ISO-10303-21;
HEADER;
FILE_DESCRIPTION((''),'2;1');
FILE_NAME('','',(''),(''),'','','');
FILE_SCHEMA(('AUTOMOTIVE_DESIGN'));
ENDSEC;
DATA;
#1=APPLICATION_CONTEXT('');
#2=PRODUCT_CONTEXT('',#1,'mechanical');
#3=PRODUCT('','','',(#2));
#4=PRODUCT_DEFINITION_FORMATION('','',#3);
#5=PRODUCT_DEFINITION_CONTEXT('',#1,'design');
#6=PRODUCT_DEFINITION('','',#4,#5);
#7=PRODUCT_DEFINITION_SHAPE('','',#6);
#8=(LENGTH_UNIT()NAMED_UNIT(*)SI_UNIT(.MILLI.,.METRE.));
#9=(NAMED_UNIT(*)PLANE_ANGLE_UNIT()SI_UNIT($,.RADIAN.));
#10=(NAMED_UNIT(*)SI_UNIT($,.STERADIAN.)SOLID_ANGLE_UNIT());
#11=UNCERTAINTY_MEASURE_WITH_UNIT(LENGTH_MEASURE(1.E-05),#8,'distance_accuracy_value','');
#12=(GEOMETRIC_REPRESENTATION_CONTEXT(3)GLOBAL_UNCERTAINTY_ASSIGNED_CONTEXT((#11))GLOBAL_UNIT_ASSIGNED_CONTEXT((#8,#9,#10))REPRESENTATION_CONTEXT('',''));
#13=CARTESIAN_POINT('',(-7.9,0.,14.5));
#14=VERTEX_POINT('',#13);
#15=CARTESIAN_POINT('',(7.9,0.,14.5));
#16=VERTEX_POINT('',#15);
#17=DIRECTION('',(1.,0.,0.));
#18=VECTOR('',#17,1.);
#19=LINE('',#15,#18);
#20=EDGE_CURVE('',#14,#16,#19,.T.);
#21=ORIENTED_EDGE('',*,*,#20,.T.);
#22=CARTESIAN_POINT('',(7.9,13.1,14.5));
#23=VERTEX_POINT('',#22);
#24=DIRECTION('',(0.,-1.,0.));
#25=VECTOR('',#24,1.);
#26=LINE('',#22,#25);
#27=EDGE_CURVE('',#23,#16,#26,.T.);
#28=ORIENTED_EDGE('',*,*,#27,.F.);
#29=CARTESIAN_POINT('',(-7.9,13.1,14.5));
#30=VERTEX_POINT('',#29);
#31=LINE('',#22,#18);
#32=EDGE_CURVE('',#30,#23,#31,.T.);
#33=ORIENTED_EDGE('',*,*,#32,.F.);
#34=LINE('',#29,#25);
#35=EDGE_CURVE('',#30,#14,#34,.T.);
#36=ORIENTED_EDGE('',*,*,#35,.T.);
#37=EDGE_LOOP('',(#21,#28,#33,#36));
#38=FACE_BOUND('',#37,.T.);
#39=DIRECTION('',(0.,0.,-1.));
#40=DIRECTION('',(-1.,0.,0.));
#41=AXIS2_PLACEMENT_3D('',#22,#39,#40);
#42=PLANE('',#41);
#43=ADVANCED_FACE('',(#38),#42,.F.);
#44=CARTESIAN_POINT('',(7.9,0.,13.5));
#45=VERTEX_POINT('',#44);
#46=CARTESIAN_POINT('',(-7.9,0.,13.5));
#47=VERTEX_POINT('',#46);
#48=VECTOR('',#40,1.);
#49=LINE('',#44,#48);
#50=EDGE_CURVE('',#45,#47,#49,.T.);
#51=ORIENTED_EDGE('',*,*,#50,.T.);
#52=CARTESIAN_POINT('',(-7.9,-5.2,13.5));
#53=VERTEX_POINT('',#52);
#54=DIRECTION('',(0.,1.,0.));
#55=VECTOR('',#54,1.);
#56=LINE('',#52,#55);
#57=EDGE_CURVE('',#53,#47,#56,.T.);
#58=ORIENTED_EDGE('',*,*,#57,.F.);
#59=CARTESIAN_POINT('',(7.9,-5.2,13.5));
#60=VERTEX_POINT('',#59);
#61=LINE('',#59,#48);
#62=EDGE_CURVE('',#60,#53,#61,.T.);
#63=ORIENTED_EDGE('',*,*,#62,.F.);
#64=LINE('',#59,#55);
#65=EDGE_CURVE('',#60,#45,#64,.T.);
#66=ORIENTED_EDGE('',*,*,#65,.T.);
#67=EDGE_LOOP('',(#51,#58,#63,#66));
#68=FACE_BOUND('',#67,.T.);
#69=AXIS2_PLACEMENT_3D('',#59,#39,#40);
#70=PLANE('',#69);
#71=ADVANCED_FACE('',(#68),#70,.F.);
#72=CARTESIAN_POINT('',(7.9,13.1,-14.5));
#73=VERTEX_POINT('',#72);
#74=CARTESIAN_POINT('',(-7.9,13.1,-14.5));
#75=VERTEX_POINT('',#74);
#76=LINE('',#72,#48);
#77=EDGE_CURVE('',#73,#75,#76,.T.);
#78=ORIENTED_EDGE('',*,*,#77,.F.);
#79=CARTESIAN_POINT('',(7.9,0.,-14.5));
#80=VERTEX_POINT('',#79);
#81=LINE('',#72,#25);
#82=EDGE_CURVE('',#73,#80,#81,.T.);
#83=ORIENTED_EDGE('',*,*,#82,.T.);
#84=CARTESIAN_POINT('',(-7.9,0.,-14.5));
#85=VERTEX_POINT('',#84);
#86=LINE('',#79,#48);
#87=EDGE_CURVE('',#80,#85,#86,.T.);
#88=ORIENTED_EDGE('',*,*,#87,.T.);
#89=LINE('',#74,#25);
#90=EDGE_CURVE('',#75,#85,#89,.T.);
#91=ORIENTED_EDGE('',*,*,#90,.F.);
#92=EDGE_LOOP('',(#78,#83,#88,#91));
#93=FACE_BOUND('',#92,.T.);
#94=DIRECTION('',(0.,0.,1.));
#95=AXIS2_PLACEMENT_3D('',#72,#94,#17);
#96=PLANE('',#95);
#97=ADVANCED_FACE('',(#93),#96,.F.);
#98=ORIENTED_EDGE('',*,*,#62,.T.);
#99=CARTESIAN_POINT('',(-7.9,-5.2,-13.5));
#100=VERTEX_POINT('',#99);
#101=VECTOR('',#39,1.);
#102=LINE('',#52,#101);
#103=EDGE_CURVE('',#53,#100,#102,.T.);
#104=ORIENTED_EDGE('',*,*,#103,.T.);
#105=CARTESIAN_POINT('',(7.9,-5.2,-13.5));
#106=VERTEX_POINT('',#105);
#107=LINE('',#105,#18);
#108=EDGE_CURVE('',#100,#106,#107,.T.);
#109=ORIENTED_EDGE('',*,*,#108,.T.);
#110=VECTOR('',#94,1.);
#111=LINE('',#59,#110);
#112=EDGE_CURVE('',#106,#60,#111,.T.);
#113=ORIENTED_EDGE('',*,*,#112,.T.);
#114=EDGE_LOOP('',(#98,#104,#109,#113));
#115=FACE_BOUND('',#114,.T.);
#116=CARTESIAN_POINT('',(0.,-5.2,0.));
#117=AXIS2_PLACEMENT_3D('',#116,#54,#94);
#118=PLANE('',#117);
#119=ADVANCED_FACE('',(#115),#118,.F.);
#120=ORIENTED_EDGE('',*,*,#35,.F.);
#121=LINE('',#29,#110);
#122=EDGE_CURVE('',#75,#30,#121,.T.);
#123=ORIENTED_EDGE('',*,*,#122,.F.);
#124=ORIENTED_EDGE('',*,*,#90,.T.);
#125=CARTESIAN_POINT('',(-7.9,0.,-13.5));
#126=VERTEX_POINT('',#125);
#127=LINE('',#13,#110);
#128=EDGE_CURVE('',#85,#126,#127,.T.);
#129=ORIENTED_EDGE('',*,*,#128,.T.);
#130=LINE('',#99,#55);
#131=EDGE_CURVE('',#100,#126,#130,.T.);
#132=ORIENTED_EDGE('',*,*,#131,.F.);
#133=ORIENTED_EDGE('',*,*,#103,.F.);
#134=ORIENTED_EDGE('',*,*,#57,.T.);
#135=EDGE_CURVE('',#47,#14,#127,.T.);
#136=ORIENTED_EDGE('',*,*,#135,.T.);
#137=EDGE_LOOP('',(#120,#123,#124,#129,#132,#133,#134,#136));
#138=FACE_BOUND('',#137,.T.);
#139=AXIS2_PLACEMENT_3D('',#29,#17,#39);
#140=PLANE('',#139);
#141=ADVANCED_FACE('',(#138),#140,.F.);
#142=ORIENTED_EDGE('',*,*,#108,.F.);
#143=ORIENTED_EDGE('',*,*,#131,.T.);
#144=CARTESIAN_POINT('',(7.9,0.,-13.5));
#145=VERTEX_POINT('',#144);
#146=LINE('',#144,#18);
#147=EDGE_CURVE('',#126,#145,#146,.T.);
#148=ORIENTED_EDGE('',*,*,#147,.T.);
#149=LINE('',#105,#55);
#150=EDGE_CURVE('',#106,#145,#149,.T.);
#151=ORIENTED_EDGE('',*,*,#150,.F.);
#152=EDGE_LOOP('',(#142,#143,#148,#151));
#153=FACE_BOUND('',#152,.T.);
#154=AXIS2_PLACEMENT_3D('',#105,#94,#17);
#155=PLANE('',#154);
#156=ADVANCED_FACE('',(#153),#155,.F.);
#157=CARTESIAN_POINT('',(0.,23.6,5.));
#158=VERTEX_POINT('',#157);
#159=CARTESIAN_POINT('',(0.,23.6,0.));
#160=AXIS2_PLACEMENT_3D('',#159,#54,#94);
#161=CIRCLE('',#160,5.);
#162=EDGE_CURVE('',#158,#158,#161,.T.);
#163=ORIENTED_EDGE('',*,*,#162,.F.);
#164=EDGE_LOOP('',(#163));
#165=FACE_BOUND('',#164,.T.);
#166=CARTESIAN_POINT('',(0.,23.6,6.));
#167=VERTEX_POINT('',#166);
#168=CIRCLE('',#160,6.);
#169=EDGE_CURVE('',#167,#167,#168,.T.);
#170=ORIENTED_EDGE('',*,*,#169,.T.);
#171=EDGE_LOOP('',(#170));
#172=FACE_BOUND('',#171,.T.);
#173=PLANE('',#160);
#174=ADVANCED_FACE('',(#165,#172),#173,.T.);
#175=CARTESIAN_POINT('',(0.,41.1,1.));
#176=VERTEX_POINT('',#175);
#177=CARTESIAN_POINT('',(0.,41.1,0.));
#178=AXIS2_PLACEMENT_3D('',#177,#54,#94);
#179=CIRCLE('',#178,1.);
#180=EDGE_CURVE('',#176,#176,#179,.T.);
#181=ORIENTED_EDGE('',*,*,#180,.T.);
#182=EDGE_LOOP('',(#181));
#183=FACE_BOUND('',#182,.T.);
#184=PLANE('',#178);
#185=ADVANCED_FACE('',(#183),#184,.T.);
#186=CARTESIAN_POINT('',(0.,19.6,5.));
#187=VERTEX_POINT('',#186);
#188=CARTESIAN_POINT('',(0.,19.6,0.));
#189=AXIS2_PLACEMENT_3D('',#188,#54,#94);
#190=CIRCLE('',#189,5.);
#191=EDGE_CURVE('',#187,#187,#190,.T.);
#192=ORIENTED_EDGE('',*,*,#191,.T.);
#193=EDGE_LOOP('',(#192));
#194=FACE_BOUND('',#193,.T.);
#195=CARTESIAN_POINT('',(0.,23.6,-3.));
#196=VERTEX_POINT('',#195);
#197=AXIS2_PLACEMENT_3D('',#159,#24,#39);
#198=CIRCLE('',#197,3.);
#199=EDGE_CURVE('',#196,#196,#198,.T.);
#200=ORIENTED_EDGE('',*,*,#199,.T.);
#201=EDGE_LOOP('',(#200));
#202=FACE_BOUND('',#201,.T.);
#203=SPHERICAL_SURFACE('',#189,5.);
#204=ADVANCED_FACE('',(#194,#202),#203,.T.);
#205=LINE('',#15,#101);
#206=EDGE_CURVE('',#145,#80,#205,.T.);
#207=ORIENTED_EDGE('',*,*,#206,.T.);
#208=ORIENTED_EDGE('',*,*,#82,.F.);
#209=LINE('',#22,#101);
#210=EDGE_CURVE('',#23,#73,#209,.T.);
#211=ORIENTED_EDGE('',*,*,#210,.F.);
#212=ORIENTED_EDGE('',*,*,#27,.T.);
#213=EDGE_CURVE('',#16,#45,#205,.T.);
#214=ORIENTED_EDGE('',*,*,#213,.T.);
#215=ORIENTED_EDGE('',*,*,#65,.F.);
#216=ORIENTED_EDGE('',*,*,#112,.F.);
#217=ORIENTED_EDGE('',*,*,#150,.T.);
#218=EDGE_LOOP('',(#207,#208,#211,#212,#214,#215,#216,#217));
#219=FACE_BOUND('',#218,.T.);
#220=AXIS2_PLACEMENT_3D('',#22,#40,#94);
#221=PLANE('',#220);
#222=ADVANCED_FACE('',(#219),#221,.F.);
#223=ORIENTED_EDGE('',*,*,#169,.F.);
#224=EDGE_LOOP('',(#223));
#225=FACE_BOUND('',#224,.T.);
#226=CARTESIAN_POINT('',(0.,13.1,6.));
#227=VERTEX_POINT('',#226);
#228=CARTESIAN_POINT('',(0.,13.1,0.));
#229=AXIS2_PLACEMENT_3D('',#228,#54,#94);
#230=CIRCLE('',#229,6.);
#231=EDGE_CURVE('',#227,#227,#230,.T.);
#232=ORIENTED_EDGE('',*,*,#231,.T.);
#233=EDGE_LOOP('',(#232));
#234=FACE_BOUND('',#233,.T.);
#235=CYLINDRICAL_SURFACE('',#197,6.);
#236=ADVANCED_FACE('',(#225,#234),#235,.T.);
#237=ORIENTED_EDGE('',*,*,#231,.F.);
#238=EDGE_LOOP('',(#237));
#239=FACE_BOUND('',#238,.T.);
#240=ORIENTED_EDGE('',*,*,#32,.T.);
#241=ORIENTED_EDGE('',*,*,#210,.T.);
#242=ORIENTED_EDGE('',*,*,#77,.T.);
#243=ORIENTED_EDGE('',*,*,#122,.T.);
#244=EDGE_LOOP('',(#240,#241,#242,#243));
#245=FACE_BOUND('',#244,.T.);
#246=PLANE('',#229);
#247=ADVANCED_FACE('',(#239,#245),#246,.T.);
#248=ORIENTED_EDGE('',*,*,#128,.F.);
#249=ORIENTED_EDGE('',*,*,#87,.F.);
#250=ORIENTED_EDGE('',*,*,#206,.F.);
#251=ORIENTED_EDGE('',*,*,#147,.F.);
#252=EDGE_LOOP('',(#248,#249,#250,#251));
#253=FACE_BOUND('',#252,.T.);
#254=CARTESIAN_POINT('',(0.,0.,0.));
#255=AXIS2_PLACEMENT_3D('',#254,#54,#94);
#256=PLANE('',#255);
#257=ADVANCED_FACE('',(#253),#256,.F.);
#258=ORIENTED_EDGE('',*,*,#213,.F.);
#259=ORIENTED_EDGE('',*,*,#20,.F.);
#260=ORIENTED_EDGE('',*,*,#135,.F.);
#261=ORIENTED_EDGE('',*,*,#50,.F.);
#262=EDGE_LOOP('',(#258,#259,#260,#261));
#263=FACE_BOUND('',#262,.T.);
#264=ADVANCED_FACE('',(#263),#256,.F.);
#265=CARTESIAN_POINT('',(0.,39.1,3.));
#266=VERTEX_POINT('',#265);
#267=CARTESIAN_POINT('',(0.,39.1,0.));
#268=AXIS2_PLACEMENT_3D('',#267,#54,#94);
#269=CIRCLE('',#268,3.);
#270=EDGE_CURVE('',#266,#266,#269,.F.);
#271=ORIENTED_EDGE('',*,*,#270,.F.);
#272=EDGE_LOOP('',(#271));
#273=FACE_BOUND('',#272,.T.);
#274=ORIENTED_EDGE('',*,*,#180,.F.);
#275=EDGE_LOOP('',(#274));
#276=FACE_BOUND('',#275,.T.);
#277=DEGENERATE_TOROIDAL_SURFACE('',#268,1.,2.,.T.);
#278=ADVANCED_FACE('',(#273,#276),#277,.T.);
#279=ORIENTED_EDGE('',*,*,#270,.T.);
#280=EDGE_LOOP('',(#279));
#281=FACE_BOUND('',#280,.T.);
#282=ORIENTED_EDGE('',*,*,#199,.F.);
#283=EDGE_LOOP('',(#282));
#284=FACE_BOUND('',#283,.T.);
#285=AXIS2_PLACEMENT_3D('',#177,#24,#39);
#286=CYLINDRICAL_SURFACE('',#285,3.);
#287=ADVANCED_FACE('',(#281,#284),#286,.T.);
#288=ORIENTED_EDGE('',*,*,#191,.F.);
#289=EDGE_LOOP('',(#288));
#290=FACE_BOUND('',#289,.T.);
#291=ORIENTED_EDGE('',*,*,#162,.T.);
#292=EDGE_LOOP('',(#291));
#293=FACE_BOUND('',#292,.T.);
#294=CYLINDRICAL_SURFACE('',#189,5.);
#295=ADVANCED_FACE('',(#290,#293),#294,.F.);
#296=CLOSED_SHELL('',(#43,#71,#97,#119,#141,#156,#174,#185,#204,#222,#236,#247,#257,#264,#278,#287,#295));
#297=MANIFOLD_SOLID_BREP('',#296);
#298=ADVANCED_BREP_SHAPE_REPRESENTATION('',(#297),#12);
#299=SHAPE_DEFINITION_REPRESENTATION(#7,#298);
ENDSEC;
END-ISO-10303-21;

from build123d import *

# Parameters (mm, degrees)
SKETCH1_W           = 15.8
SKETCH1_H           = 29
BOSS_EXTRUDE1_DEPTH = 13.1
SKETCH2_R           = 6
BOSS_EXTRUDE2_DEPTH = 10.5
SKETCH4_R           = 5
CUT_EXTRUDE1_DEPTH  = 4
SKETCH5_R           = 3
BOSS_EXTRUDE3_DEPTH = 21.5
REVOLVE2_ANGLE      = 180
FILLET1_R           = 2
SKETCH6_W           = 15.8
SKETCH6_H           = 27
BOSS_EXTRUDE4_DEPTH = 5.2


with BuildPart() as part:
    # Sketch1 → Boss-Extrude1 (new body)
    with BuildSketch(Plane(origin=(0, 0, 0), x_dir=(1, 0, 0), z_dir=(0, 1, 0))):
        Rectangle(SKETCH1_W, SKETCH1_H)
    extrude(amount=BOSS_EXTRUDE1_DEPTH)

    # Sketch2 → Boss-Extrude2 (add)
    with BuildSketch(Plane(origin=(0, 13.1, 0), x_dir=(1, 0, 0), z_dir=(0, 1, 0))):
        Circle(SKETCH2_R)
    extrude(amount=BOSS_EXTRUDE2_DEPTH)

    # Sketch4 → Cut-Extrude1 (cut)
    with BuildSketch(Plane(origin=(0, 23.6, 0), x_dir=(1, 0, 0), z_dir=(0, 1, 0))):
        Circle(SKETCH4_R)
    extrude(amount=-CUT_EXTRUDE1_DEPTH, mode=Mode.SUBTRACT)

    # Sketch5 → Boss-Extrude3 (add)
    with BuildSketch(Plane(origin=(0, 19.6, 0), x_dir=(1, 0, 0), z_dir=(0, 1, 0))):
        Circle(SKETCH5_R)
    extrude(amount=BOSS_EXTRUDE3_DEPTH)

    # Sketch3 → Revolve2 (revolve)
    with BuildSketch(Plane(origin=(0, 19.6, 0), x_dir=(1, 0, 0), z_dir=(0, 1, 0))):
        with BuildLine():
            Line((0, -5), (0, 5))
            ThreePointArc((0, 5), (-5, 0), (0, -5))
        make_face()
    revolve(axis=Axis((0, 19.6, 6), (0, 0, -1)), revolution_arc=REVOLVE2_ANGLE)

    # Fillet1
    fillet1_edges = [part.edges().sort_by_distance(p)[0] for p in [
        (-3, 41.1, 0),
    ]]
    fillet(fillet1_edges, radius=FILLET1_R)

    # Sketch6 → Boss-Extrude4 (add)
    with BuildSketch(Plane.XZ):
        Rectangle(SKETCH6_W, SKETCH6_H)
    extrude(amount=BOSS_EXTRUDE4_DEPTH)


solid = part.part
